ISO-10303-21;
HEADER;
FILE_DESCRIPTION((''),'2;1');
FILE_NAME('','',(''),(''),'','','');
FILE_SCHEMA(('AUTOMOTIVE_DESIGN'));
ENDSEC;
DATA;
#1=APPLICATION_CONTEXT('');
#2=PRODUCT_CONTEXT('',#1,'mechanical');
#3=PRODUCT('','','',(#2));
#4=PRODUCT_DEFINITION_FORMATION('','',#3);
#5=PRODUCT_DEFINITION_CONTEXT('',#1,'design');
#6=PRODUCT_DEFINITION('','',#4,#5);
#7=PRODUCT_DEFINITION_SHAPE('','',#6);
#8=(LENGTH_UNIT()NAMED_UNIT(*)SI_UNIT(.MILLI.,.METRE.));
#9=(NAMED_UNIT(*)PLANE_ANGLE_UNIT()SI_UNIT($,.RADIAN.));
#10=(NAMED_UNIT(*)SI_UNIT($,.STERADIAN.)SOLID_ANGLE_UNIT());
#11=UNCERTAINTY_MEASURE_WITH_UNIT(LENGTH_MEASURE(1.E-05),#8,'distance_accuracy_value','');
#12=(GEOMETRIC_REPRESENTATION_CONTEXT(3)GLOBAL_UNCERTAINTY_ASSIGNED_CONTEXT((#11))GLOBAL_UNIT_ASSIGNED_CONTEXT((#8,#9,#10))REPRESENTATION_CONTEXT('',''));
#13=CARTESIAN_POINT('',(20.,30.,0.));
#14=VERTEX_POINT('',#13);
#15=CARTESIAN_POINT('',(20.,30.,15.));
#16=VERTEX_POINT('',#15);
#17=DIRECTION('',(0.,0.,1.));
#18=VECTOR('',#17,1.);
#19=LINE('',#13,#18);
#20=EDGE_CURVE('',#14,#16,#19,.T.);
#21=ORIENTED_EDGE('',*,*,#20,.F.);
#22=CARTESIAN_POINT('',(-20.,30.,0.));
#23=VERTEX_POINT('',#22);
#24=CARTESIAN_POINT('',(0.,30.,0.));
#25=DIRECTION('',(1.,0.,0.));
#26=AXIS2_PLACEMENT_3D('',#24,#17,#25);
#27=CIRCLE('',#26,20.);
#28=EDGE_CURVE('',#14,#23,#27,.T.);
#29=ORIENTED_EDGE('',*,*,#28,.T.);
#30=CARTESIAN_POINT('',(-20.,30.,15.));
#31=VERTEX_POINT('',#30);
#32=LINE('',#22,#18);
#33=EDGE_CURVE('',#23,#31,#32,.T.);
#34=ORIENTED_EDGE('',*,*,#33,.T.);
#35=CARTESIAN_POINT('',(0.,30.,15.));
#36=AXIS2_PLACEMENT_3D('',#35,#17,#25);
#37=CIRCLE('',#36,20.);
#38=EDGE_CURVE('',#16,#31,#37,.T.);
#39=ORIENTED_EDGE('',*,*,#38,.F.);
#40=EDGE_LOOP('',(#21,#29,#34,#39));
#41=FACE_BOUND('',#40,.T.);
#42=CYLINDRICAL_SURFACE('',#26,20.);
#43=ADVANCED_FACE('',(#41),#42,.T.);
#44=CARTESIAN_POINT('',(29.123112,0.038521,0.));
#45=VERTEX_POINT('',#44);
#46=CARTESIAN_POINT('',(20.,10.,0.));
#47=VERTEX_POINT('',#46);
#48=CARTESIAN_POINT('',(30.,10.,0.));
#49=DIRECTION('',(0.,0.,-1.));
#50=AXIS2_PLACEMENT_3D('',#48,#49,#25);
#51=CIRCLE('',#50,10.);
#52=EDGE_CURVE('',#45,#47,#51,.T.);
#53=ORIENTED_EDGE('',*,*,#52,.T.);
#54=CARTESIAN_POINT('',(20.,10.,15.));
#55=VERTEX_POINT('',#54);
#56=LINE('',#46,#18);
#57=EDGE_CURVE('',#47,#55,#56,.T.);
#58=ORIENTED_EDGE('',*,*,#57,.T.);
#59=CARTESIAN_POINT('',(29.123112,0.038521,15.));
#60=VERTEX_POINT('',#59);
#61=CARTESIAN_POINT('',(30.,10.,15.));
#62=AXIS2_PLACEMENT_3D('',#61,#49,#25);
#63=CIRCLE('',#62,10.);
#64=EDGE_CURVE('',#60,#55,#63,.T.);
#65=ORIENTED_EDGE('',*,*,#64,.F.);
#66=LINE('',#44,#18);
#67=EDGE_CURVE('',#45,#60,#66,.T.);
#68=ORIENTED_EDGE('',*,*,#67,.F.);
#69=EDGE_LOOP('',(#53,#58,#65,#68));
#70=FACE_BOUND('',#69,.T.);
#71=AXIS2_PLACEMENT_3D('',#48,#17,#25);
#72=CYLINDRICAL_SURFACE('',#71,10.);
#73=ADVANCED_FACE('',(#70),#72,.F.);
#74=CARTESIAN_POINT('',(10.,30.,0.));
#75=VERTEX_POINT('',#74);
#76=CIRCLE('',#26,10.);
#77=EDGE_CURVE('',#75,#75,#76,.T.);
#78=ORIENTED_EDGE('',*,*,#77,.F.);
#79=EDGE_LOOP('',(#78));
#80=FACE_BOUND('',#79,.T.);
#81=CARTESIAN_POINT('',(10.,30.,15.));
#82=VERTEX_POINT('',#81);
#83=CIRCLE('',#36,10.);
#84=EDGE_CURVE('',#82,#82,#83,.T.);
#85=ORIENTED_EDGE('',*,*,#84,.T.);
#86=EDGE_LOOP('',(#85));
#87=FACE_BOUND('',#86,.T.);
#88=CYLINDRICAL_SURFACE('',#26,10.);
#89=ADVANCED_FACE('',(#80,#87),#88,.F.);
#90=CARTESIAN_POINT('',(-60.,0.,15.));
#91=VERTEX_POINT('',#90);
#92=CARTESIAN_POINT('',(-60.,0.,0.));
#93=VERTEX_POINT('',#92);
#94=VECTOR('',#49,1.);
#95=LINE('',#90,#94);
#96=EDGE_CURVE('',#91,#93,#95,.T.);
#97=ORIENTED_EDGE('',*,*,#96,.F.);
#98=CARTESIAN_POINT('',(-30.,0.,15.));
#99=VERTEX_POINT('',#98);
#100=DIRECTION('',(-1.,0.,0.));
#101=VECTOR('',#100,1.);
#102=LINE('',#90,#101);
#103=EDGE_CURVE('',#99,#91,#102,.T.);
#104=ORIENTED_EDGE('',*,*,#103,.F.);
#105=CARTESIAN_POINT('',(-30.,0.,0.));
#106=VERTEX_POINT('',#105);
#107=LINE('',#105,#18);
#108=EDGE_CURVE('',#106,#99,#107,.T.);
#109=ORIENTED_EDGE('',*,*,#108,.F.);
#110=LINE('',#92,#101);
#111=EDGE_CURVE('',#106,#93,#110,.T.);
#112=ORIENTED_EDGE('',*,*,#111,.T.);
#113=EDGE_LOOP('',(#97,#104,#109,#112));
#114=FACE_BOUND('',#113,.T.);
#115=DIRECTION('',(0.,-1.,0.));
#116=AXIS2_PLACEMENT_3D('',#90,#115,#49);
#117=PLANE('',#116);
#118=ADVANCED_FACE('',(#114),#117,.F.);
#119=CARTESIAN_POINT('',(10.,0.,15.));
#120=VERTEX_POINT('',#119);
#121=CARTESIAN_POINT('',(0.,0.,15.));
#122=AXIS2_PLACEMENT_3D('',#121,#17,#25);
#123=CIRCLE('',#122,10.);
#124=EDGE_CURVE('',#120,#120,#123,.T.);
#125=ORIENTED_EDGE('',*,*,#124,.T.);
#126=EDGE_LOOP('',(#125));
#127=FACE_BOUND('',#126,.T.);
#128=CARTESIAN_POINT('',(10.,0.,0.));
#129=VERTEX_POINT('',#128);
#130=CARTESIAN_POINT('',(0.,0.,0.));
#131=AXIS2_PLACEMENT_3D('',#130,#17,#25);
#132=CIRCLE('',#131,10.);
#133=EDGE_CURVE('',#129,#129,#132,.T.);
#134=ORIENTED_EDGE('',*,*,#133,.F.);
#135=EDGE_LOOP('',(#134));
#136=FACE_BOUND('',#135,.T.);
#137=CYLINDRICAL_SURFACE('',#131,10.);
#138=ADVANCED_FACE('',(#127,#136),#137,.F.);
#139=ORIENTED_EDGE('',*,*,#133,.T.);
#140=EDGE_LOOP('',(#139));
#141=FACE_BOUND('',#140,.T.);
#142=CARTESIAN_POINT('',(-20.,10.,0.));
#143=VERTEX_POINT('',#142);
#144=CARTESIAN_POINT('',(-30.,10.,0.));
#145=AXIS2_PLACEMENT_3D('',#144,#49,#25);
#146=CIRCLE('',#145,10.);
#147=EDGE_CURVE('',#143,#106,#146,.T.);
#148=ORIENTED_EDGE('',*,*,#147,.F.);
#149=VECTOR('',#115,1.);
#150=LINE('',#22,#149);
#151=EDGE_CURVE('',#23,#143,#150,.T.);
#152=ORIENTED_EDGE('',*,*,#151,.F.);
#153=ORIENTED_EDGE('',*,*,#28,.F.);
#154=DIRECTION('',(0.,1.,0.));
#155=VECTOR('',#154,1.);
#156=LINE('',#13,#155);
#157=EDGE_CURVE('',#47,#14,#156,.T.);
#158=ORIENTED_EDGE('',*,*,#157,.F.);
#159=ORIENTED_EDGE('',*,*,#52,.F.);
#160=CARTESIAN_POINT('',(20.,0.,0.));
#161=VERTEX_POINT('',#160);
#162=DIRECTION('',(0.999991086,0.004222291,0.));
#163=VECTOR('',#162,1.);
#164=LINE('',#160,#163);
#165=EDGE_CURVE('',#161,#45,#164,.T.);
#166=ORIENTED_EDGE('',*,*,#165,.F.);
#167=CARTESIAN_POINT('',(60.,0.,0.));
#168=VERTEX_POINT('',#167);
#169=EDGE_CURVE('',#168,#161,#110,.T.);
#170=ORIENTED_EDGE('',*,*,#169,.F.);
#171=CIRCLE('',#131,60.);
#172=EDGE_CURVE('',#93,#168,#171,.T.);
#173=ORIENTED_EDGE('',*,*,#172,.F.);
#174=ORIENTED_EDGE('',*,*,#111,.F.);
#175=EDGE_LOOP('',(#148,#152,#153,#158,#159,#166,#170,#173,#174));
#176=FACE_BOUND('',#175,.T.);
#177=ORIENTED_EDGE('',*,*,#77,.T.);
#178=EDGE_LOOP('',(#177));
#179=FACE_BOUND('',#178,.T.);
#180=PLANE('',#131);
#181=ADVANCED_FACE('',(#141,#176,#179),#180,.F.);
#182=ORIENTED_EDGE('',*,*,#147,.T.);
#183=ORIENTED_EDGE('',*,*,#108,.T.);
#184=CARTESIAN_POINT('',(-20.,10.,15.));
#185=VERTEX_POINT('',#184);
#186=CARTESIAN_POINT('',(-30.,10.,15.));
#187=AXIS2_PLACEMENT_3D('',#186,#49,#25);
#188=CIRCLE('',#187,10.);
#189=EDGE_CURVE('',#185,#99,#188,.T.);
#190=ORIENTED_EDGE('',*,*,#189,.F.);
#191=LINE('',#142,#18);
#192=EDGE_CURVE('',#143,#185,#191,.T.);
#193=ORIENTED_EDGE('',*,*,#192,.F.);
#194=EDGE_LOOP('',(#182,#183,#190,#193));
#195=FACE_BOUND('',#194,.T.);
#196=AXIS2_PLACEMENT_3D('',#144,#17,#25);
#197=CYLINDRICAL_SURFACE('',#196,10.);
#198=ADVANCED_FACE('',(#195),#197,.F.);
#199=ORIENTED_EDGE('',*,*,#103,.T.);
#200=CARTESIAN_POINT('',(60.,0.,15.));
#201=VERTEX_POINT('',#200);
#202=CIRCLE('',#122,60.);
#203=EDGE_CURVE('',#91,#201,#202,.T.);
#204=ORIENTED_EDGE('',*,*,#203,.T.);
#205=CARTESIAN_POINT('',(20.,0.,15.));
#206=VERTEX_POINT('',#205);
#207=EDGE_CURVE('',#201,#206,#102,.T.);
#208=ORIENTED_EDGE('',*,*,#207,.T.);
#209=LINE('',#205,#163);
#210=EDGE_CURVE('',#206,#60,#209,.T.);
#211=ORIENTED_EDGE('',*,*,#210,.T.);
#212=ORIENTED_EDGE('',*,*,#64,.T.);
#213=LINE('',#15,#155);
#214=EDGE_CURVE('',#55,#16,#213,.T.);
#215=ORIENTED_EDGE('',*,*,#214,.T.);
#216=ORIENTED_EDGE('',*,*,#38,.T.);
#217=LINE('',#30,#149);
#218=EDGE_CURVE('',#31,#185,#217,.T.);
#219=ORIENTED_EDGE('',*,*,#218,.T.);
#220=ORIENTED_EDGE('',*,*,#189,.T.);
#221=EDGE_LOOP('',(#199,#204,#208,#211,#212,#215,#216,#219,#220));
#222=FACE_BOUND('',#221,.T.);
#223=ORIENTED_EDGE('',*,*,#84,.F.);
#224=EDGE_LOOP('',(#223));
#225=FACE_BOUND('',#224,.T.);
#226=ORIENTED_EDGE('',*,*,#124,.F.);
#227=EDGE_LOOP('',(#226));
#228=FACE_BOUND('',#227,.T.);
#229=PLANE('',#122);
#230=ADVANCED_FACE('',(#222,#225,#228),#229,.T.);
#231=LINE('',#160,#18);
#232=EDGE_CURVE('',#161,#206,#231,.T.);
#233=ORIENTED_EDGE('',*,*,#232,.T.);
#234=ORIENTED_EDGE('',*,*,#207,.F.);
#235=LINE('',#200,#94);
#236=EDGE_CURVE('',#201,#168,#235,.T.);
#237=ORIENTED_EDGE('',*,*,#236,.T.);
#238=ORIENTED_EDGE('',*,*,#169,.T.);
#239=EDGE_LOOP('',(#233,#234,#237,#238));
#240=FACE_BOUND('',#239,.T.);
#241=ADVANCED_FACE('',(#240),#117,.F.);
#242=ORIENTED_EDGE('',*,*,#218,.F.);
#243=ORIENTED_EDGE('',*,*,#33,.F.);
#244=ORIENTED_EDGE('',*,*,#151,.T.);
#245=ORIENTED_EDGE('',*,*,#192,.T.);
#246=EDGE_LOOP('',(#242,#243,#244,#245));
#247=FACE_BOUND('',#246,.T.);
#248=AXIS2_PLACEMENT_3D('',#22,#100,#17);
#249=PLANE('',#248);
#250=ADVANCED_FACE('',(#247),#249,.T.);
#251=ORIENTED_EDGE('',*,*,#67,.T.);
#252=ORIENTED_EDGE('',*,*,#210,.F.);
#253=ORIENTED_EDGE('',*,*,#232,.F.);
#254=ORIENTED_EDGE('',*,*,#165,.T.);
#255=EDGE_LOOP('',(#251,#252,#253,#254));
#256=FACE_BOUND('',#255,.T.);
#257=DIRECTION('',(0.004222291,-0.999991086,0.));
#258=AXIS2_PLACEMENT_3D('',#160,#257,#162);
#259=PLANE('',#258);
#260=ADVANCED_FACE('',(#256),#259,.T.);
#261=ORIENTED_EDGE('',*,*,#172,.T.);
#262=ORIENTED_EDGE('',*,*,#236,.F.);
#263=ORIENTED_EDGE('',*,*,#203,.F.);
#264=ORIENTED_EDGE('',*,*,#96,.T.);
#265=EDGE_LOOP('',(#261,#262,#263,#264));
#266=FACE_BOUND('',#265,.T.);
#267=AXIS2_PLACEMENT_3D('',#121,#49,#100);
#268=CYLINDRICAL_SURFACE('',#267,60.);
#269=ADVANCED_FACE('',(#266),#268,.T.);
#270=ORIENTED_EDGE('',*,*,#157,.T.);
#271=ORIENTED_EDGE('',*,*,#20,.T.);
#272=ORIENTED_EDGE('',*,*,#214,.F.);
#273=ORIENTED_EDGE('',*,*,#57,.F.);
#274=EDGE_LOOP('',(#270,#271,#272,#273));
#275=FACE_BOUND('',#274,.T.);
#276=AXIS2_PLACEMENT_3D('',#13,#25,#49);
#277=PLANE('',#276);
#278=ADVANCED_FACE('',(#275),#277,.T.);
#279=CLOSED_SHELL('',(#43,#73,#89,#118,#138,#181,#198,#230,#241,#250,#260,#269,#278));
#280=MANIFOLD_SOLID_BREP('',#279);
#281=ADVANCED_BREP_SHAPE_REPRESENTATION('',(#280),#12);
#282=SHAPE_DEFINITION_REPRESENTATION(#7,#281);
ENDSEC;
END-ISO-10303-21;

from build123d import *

# Parameters (mm, degrees)
BOSS_EXTRUDE1_DEPTH = 15
BOSS_EXTRUDE2_DEPTH = 15
BOSS_EXTRUDE4_DEPTH = 15
BOSS_EXTRUDE5_DEPTH = 15
SKETCH7_R           = 10
CUT_EXTRUDE1_DEPTH  = 15
SKETCH8_R           = 10
CUT_EXTRUDE2_DEPTH  = 15


with BuildPart() as part:
    # Sketch2 → Boss-Extrude1 (new body)
    with BuildSketch(Plane.XY):
        with BuildLine():
            Line((-60, 0), (60, 0))
            ThreePointArc((60, 0), (0, -60), (-60, 0))
        make_face()
    extrude(amount=BOSS_EXTRUDE1_DEPTH)

    # Sketch3 → Boss-Extrude2 (add)
    with BuildSketch(Plane.XY.offset(15)):
        with BuildLine():
            Line((-20, 30), (-20, 0))
            Line((-20, 0), (20, 0))
            Line((20, 0), (20, 30))
            ThreePointArc((20, 30), (0, 50), (-20, 30))
        make_face()
    extrude(amount=-BOSS_EXTRUDE2_DEPTH)

    # Sketch4 → Boss-Extrude4 (add)
    with BuildSketch(Plane.XY.offset(15)):
        with BuildLine():
            Line((20, 10), (20, 0))
            Line((20, 0), (29.123112456, 0.038520781))
            ThreePointArc((29.123112456, 0.038520781), (22.625419488, 3.246070605), (20, 10))
        make_face()
    extrude(amount=-BOSS_EXTRUDE4_DEPTH)

    # Sketch6 → Boss-Extrude5 (add)
    with BuildSketch(Plane.XY.offset(15)):
        with BuildLine():
            Line((-20, 10), (-20, 0))
            Line((-20, 0), (-30, 0))
            ThreePointArc((-30, 0), (-22.928932188, 2.928932188), (-20, 10))
        make_face()
    extrude(amount=-BOSS_EXTRUDE5_DEPTH)

    # Sketch7 → Cut-Extrude1 (cut)
    with BuildSketch(Plane.XY.offset(15)):
        with Locations((0, 30)):
            Circle(SKETCH7_R)
    extrude(amount=-CUT_EXTRUDE1_DEPTH, mode=Mode.SUBTRACT)

    # Sketch8 → Cut-Extrude2 (cut)
    with BuildSketch(Plane.XY.offset(15)):
        Circle(SKETCH8_R)
    extrude(amount=-CUT_EXTRUDE2_DEPTH, mode=Mode.SUBTRACT)


solid = part.part
